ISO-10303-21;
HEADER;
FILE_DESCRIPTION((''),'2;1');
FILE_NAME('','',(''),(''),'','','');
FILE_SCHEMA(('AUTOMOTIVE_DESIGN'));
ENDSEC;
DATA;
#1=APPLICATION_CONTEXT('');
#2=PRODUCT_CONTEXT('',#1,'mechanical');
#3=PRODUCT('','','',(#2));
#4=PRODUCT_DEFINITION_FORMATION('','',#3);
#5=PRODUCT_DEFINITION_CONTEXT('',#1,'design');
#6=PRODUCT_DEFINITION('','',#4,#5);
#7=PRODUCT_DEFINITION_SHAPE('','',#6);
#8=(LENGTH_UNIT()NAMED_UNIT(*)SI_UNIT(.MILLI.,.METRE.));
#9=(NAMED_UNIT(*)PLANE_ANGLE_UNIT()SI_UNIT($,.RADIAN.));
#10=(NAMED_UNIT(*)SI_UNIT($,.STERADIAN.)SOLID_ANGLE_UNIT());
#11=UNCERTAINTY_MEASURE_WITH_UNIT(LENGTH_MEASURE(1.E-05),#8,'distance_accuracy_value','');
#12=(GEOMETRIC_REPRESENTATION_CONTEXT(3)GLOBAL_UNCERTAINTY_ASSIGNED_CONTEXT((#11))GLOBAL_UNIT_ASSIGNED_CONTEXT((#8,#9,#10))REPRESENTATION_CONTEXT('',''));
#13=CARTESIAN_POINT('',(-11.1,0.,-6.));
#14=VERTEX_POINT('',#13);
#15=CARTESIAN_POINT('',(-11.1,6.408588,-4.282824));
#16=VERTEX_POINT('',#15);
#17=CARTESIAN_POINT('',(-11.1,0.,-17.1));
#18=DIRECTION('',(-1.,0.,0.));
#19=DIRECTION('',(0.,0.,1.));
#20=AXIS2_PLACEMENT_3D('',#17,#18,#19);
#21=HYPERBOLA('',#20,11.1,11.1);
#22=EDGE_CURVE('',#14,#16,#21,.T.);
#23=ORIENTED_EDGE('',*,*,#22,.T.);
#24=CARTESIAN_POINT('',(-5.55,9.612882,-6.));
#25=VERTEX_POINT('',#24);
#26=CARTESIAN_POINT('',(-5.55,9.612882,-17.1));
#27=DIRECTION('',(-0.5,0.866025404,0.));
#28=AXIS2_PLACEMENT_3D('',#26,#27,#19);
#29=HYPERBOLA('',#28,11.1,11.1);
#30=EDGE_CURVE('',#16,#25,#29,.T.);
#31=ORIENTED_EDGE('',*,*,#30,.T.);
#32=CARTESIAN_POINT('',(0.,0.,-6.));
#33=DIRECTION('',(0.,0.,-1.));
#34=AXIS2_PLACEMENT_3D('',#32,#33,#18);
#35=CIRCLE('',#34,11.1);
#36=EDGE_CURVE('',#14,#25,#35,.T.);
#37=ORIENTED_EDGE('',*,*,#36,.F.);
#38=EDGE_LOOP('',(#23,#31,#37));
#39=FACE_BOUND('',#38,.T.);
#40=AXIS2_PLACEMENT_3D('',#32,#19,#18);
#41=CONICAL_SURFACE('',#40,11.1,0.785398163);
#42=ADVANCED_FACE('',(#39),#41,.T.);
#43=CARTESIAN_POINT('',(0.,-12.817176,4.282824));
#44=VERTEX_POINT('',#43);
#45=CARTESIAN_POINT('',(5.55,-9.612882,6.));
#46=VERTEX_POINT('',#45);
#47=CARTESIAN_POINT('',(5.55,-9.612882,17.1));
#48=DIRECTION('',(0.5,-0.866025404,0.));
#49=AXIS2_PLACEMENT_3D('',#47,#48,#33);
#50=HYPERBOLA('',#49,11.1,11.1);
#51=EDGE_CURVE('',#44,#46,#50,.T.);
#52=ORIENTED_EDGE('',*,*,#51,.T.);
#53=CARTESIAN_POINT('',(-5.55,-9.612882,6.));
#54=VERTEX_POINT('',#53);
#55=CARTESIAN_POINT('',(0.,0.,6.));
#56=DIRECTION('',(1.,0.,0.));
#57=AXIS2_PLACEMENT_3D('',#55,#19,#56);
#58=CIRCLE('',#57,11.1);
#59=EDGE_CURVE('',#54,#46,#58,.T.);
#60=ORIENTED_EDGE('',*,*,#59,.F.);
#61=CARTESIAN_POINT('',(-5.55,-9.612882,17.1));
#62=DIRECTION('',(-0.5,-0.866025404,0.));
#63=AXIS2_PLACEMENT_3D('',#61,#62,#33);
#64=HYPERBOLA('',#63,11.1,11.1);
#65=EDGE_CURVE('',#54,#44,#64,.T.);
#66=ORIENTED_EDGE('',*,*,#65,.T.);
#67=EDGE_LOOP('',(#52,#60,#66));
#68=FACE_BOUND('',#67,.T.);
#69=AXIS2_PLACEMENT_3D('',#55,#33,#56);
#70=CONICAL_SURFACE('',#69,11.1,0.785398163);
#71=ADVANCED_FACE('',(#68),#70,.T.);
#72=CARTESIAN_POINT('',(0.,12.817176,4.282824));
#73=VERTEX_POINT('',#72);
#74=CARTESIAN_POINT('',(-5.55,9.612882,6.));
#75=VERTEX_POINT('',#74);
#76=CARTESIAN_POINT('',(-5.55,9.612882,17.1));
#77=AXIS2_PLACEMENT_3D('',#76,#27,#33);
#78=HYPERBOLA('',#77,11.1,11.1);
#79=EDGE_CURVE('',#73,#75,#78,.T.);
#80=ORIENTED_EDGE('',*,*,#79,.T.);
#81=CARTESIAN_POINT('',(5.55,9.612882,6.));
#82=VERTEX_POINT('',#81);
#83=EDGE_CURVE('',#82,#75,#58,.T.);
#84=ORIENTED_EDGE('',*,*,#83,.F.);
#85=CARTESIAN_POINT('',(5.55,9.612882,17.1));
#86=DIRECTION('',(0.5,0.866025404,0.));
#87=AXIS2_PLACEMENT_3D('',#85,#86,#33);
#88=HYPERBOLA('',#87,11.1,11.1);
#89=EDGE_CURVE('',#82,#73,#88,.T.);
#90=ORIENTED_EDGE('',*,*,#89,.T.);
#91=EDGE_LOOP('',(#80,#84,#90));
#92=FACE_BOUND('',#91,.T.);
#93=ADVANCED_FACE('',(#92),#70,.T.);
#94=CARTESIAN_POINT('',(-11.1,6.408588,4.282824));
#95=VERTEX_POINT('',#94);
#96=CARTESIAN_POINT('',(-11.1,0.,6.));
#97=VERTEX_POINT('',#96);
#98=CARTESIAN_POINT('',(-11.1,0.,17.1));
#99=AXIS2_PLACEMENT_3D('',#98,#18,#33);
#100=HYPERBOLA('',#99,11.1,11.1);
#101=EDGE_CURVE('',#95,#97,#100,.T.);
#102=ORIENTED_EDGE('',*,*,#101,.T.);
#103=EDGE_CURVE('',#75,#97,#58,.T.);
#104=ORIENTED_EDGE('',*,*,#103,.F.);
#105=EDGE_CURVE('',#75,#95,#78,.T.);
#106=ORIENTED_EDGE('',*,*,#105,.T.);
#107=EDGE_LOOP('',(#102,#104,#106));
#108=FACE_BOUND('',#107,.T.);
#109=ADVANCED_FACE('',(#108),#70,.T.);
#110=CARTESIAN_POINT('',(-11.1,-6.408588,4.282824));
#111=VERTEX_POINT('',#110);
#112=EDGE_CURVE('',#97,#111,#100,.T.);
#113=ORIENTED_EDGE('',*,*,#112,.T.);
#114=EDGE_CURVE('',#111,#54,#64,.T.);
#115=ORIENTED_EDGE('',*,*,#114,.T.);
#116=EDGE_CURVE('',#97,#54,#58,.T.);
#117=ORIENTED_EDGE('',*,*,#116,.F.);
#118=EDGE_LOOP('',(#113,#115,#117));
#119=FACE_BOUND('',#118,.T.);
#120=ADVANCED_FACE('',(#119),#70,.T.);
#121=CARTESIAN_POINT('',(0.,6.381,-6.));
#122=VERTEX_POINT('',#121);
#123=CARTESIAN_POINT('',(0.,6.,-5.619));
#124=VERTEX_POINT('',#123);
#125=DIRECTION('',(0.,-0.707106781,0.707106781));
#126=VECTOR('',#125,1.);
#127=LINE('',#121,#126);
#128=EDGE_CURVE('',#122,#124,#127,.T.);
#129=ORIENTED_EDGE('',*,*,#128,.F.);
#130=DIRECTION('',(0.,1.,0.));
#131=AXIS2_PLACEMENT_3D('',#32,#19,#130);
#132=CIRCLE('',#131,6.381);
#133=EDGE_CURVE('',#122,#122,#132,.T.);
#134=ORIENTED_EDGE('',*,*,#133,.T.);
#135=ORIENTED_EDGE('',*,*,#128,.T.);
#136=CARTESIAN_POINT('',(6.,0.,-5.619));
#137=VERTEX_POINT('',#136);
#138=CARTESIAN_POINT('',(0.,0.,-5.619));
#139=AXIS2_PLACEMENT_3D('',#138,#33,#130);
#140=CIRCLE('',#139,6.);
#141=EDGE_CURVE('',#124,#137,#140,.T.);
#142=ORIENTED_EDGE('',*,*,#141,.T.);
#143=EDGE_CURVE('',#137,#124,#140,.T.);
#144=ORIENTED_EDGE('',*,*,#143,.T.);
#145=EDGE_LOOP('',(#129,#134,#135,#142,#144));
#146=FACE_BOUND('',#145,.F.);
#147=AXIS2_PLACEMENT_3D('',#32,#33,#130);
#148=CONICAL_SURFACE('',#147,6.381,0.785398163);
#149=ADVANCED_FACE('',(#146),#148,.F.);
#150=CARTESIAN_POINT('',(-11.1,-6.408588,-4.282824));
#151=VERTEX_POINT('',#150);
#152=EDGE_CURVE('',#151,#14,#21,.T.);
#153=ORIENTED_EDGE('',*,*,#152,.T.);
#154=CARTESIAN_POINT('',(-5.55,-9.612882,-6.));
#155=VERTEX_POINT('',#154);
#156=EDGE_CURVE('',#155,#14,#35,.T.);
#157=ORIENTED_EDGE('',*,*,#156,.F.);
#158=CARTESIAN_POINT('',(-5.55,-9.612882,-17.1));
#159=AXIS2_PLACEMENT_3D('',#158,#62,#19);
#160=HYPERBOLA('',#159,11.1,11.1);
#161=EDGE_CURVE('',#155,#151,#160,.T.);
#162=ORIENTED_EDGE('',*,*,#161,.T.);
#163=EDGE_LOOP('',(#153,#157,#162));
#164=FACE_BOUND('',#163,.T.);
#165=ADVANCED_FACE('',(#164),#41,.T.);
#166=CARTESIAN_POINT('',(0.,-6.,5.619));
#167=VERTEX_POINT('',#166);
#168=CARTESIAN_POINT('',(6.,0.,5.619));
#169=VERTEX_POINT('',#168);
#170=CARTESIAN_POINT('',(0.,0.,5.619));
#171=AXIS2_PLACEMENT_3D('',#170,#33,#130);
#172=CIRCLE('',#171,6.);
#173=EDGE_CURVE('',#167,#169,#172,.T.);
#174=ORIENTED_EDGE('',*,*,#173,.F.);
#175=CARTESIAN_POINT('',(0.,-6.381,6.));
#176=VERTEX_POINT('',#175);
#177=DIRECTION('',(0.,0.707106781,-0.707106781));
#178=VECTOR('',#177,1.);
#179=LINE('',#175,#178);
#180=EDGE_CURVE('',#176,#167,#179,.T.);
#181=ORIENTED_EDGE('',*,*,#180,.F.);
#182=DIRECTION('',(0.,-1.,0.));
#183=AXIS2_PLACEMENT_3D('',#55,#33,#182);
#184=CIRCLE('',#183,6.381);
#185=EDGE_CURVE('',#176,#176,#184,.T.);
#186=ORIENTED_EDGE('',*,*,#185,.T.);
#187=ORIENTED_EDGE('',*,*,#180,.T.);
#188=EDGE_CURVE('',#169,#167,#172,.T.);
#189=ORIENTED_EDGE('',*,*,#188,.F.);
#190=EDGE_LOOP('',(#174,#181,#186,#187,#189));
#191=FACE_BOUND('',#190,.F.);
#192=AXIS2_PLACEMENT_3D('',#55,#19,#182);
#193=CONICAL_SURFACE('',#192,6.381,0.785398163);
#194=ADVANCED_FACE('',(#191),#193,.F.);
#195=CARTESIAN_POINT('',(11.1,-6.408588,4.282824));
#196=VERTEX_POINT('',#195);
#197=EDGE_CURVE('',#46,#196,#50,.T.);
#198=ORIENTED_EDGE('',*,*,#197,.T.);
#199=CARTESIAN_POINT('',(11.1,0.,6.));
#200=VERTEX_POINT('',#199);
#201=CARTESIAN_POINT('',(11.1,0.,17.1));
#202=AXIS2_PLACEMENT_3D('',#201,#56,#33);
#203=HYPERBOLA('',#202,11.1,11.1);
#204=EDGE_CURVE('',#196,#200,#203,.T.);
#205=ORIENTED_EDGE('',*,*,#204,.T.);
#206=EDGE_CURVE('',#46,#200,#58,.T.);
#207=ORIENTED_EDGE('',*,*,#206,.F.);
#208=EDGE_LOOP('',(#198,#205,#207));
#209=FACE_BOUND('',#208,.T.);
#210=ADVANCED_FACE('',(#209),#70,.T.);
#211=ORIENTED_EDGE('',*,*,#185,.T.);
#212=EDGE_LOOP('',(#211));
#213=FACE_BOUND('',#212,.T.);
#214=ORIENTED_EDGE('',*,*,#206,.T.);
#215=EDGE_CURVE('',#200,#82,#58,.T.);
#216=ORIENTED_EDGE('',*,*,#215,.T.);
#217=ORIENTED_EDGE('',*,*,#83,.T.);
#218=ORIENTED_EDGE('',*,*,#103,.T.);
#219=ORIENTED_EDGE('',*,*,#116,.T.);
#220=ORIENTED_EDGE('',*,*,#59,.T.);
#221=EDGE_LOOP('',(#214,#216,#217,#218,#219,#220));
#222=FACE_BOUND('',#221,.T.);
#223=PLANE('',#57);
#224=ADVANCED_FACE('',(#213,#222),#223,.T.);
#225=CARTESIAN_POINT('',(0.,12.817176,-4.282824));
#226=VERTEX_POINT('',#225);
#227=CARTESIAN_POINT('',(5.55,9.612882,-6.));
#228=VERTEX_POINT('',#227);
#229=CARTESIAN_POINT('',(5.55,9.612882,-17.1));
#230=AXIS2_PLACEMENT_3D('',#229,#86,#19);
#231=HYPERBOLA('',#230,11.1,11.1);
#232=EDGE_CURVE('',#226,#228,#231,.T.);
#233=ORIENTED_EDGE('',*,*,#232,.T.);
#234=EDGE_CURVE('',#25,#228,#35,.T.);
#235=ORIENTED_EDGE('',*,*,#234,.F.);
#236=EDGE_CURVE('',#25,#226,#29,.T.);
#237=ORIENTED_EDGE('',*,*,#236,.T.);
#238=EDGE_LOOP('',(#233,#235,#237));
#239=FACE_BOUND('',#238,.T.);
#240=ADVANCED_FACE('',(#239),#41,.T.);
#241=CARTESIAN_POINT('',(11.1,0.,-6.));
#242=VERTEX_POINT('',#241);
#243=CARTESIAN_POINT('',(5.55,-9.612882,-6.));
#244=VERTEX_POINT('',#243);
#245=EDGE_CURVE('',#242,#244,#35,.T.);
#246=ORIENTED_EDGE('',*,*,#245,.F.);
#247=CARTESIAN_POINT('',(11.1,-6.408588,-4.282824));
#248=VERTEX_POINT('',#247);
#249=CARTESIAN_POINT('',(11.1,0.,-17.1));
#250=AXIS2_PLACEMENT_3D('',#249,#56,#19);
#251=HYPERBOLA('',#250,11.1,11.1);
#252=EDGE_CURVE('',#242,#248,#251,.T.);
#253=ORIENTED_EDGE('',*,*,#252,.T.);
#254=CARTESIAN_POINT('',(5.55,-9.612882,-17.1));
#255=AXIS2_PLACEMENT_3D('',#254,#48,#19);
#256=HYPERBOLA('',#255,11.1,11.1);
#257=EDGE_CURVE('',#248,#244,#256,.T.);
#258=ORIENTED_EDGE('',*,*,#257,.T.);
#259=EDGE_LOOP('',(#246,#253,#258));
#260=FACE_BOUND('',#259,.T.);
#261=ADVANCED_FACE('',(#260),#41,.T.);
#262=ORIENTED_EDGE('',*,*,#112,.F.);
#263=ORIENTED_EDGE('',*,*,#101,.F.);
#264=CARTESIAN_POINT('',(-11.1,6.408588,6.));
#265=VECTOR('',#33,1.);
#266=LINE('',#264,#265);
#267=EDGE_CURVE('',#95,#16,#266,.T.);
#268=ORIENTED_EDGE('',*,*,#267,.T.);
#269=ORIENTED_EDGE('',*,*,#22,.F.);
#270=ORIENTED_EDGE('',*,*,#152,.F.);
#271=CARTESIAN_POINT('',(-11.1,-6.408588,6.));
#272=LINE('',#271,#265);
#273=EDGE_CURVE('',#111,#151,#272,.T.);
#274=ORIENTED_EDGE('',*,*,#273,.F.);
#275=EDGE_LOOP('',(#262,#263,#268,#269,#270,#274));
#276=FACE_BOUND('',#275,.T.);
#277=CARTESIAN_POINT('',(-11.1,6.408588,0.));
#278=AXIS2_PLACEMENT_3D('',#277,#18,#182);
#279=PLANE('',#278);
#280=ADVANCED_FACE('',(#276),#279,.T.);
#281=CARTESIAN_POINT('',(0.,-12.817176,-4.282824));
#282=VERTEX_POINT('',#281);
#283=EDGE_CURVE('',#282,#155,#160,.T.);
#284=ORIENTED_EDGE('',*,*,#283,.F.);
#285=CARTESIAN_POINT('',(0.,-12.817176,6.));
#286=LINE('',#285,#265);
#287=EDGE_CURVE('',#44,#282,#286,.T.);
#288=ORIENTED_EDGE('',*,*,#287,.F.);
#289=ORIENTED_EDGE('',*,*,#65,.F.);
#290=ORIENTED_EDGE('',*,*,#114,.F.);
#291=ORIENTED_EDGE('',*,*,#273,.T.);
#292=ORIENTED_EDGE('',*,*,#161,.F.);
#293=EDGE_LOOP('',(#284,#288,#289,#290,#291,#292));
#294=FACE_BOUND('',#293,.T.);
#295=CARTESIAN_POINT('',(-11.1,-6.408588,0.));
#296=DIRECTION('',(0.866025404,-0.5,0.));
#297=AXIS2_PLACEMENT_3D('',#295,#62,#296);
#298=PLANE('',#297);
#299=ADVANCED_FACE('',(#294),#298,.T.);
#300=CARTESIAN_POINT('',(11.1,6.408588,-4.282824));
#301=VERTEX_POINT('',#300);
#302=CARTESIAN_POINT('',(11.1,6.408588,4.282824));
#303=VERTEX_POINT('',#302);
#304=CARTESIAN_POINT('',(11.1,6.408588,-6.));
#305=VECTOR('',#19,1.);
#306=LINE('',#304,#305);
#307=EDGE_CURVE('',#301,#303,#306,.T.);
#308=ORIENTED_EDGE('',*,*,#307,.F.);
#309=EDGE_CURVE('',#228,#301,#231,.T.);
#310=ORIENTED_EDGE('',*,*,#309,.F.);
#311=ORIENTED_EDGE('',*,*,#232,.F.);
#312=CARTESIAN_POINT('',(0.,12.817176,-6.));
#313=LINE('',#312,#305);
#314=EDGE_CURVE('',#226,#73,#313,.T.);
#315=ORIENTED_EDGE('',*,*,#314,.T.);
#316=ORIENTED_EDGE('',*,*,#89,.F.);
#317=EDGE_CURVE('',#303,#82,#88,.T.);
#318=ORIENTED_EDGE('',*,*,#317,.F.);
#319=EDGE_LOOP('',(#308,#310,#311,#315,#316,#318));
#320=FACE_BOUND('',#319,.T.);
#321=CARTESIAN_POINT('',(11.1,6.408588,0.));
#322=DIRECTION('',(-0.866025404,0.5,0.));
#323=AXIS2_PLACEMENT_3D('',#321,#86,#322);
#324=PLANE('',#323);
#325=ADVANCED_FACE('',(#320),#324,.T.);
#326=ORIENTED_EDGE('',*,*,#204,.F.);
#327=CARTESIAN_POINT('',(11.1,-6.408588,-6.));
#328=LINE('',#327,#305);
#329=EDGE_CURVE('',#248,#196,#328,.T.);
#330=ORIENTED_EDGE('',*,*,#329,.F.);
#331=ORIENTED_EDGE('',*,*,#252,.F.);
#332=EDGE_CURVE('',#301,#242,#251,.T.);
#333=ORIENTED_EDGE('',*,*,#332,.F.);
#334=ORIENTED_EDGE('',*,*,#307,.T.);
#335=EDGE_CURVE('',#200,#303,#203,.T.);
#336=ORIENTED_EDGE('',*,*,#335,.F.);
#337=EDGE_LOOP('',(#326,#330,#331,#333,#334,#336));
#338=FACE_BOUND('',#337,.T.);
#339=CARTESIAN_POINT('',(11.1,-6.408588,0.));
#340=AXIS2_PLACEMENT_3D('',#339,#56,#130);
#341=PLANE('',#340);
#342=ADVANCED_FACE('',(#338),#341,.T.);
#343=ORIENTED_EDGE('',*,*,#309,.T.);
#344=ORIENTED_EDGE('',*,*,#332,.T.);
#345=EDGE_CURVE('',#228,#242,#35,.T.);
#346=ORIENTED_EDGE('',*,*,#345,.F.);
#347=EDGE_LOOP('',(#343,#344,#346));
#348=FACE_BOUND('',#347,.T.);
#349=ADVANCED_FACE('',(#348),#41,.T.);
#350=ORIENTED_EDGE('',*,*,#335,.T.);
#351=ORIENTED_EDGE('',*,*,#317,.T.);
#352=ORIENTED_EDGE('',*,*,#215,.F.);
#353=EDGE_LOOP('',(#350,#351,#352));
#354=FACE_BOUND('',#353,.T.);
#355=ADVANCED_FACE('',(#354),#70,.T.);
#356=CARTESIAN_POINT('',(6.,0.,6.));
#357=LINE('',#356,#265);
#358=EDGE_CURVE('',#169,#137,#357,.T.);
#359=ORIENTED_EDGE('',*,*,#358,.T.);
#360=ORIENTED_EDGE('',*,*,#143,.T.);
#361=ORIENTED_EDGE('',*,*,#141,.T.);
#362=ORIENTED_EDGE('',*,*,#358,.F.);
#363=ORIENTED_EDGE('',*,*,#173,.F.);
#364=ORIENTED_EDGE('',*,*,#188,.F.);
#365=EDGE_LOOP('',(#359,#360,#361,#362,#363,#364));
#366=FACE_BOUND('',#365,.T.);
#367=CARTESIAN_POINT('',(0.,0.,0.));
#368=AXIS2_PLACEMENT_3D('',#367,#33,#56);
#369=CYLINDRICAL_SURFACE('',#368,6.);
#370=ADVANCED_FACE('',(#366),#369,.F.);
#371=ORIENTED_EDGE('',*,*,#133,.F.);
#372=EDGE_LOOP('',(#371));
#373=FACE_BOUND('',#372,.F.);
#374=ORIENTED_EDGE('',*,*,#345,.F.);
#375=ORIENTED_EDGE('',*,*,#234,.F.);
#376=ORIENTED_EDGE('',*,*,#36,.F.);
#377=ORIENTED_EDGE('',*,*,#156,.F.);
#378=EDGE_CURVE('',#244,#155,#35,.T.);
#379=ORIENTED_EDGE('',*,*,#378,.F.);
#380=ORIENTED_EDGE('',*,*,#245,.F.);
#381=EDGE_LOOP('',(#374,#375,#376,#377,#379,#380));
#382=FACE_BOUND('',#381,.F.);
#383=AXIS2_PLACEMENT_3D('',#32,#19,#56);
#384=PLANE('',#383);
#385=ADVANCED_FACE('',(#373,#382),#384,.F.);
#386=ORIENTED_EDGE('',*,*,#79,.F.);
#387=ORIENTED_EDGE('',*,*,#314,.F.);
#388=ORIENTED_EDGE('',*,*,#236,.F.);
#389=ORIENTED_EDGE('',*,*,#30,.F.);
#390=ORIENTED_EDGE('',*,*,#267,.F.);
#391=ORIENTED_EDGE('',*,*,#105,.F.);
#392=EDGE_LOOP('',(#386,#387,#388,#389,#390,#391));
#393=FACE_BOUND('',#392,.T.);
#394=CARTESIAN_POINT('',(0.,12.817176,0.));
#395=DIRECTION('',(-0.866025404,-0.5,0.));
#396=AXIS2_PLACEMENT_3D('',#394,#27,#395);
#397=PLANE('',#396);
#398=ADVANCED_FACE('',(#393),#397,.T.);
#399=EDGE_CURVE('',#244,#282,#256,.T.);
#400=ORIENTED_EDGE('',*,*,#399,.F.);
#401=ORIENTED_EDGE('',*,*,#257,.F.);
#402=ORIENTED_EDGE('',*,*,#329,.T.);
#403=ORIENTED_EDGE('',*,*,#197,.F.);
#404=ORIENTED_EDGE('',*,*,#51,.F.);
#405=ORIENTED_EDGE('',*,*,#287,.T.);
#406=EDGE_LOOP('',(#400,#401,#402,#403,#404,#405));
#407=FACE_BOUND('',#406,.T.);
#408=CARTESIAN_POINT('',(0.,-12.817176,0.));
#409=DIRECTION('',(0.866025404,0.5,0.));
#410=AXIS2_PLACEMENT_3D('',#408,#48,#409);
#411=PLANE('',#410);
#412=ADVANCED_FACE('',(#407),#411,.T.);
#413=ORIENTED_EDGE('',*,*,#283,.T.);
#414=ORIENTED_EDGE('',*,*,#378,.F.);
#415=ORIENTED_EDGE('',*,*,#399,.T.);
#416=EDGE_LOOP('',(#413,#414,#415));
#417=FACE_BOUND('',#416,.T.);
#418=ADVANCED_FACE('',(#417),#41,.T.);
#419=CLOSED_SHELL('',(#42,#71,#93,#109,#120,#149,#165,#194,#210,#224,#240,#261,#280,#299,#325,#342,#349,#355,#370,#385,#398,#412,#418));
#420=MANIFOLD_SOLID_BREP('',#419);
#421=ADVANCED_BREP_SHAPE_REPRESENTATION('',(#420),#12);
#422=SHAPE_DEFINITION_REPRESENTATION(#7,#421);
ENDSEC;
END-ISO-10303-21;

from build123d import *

# Parameters (mm, degrees)
SKETCH1_R           = 6
BOSS_EXTRUDE1_DEPTH = 6
SKETCH6_OUTSIDE_W   = 74.94
SKETCH6_OUTSIDE_H   = 78.374
SKETCH6_OUTSIDE_R   = 11.1
CUT_EXTRUDE5_DEPTH  = 21.772337374
CUT_EXTRUDE5_DRAFT  = -45
SKETCH7_OUTSIDE_W   = 74.94
SKETCH7_OUTSIDE_H   = 78.374
SKETCH7_OUTSIDE_R   = 11.1
CUT_EXTRUDE6_DEPTH  = 21.772337374
CUT_EXTRUDE6_DRAFT  = -45


with BuildPart() as part:
    # Sketch1 → Boss-Extrude1 (new, symmetric)
    with BuildSketch(Plane.XY):
        Polygon((0, -12.817175976), (11.1, -6.408587988), (11.1, 6.408587988), (0, 12.817175976), (-11.1, 6.408587988), (-11.1, -6.408587988), align=None)
        Circle(SKETCH1_R, mode=Mode.SUBTRACT)
    extrude(amount=BOSS_EXTRUDE1_DEPTH, both=True)

    # Cut-Extrude3 cone 1 section (through the dimple's axis) → Cut-Extrude3 (revolve, cut)
    with BuildSketch(Plane(origin=(0, 0, 6), x_dir=(0, -1, 0), z_dir=(1, 0, 0))):
        Polygon((0, 0), (6.381, 0), (0, 6.381), align=None)
    revolve(axis=Axis((0, 0, 6), (0, 0, -1)), mode=Mode.SUBTRACT)

    # Cut-Extrude4 cone 1 section (through the dimple's axis) → Cut-Extrude4 (revolve, cut)
    with BuildSketch(Plane(origin=(0, 0, -6), x_dir=(0, 1, 0), z_dir=(1, 0, 0))):
        Polygon((0, 0), (6.381, 0), (0, 6.381), align=None)
    revolve(axis=Axis((0, 0, -6), (0, 0, 1)), mode=Mode.SUBTRACT)


with BuildPart() as cut_extrude5_tool:
    # Sketch6 outside → Cut-Extrude5 (with draft: the straight prism first)
    with BuildSketch(Plane.XY.offset(6)):
        Rectangle(SKETCH6_OUTSIDE_W, SKETCH6_OUTSIDE_H)
        Circle(SKETCH6_OUTSIDE_R, mode=Mode.SUBTRACT)
    extrude(amount=-CUT_EXTRUDE5_DEPTH)
    # Cut-Extrude5: the draft: its side faces are tilted about the plane it starts from
    cut_extrude5_sides = [cut_extrude5_tool.faces().sort_by_distance(p)[0] for p in [
        (0, -39.187, -4.886168687),
        (37.47, 0, -4.886168687),
        (0, 39.187, -4.886168687),
        (-37.47, 0, -4.886168687),
        (-11.1, 0, -4.886168687),
    ]]
    draft(cut_extrude5_sides, Plane.XY.offset(6), CUT_EXTRUDE5_DRAFT)


with BuildPart() as part_1:
    add(part.part)

    # Cut-Extrude5: cut by cut_extrude5_tool
    add(cut_extrude5_tool.part, mode=Mode.SUBTRACT)


with BuildPart() as cut_extrude6_tool:
    # Sketch7 outside → Cut-Extrude6 (with draft: the straight prism first)
    with BuildSketch(Plane(origin=(0, 0, -6), x_dir=(-1, 0, 0), z_dir=(0, 0, -1))):
        Rectangle(SKETCH7_OUTSIDE_W, SKETCH7_OUTSIDE_H)
        Circle(SKETCH7_OUTSIDE_R, mode=Mode.SUBTRACT)
    extrude(amount=-CUT_EXTRUDE6_DEPTH)
    # Cut-Extrude6: the draft: its side faces are tilted about the plane it starts from
    cut_extrude6_sides = [cut_extrude6_tool.faces().sort_by_distance(p)[0] for p in [
        (0, -39.187, 4.886168687),
        (-37.47, 0, 4.886168687),
        (0, 39.187, 4.886168687),
        (37.47, 0, 4.886168687),
        (11.1, 0, 4.886168687),
    ]]
    draft(cut_extrude6_sides, Plane(origin=(0, 0, -6), x_dir=(-1, 0, 0), z_dir=(0, 0, -1)), CUT_EXTRUDE6_DRAFT)


with BuildPart() as part_2:
    add(part_1.part)

    # Cut-Extrude6: cut by cut_extrude6_tool
    add(cut_extrude6_tool.part, mode=Mode.SUBTRACT)


solid = part_2.part
